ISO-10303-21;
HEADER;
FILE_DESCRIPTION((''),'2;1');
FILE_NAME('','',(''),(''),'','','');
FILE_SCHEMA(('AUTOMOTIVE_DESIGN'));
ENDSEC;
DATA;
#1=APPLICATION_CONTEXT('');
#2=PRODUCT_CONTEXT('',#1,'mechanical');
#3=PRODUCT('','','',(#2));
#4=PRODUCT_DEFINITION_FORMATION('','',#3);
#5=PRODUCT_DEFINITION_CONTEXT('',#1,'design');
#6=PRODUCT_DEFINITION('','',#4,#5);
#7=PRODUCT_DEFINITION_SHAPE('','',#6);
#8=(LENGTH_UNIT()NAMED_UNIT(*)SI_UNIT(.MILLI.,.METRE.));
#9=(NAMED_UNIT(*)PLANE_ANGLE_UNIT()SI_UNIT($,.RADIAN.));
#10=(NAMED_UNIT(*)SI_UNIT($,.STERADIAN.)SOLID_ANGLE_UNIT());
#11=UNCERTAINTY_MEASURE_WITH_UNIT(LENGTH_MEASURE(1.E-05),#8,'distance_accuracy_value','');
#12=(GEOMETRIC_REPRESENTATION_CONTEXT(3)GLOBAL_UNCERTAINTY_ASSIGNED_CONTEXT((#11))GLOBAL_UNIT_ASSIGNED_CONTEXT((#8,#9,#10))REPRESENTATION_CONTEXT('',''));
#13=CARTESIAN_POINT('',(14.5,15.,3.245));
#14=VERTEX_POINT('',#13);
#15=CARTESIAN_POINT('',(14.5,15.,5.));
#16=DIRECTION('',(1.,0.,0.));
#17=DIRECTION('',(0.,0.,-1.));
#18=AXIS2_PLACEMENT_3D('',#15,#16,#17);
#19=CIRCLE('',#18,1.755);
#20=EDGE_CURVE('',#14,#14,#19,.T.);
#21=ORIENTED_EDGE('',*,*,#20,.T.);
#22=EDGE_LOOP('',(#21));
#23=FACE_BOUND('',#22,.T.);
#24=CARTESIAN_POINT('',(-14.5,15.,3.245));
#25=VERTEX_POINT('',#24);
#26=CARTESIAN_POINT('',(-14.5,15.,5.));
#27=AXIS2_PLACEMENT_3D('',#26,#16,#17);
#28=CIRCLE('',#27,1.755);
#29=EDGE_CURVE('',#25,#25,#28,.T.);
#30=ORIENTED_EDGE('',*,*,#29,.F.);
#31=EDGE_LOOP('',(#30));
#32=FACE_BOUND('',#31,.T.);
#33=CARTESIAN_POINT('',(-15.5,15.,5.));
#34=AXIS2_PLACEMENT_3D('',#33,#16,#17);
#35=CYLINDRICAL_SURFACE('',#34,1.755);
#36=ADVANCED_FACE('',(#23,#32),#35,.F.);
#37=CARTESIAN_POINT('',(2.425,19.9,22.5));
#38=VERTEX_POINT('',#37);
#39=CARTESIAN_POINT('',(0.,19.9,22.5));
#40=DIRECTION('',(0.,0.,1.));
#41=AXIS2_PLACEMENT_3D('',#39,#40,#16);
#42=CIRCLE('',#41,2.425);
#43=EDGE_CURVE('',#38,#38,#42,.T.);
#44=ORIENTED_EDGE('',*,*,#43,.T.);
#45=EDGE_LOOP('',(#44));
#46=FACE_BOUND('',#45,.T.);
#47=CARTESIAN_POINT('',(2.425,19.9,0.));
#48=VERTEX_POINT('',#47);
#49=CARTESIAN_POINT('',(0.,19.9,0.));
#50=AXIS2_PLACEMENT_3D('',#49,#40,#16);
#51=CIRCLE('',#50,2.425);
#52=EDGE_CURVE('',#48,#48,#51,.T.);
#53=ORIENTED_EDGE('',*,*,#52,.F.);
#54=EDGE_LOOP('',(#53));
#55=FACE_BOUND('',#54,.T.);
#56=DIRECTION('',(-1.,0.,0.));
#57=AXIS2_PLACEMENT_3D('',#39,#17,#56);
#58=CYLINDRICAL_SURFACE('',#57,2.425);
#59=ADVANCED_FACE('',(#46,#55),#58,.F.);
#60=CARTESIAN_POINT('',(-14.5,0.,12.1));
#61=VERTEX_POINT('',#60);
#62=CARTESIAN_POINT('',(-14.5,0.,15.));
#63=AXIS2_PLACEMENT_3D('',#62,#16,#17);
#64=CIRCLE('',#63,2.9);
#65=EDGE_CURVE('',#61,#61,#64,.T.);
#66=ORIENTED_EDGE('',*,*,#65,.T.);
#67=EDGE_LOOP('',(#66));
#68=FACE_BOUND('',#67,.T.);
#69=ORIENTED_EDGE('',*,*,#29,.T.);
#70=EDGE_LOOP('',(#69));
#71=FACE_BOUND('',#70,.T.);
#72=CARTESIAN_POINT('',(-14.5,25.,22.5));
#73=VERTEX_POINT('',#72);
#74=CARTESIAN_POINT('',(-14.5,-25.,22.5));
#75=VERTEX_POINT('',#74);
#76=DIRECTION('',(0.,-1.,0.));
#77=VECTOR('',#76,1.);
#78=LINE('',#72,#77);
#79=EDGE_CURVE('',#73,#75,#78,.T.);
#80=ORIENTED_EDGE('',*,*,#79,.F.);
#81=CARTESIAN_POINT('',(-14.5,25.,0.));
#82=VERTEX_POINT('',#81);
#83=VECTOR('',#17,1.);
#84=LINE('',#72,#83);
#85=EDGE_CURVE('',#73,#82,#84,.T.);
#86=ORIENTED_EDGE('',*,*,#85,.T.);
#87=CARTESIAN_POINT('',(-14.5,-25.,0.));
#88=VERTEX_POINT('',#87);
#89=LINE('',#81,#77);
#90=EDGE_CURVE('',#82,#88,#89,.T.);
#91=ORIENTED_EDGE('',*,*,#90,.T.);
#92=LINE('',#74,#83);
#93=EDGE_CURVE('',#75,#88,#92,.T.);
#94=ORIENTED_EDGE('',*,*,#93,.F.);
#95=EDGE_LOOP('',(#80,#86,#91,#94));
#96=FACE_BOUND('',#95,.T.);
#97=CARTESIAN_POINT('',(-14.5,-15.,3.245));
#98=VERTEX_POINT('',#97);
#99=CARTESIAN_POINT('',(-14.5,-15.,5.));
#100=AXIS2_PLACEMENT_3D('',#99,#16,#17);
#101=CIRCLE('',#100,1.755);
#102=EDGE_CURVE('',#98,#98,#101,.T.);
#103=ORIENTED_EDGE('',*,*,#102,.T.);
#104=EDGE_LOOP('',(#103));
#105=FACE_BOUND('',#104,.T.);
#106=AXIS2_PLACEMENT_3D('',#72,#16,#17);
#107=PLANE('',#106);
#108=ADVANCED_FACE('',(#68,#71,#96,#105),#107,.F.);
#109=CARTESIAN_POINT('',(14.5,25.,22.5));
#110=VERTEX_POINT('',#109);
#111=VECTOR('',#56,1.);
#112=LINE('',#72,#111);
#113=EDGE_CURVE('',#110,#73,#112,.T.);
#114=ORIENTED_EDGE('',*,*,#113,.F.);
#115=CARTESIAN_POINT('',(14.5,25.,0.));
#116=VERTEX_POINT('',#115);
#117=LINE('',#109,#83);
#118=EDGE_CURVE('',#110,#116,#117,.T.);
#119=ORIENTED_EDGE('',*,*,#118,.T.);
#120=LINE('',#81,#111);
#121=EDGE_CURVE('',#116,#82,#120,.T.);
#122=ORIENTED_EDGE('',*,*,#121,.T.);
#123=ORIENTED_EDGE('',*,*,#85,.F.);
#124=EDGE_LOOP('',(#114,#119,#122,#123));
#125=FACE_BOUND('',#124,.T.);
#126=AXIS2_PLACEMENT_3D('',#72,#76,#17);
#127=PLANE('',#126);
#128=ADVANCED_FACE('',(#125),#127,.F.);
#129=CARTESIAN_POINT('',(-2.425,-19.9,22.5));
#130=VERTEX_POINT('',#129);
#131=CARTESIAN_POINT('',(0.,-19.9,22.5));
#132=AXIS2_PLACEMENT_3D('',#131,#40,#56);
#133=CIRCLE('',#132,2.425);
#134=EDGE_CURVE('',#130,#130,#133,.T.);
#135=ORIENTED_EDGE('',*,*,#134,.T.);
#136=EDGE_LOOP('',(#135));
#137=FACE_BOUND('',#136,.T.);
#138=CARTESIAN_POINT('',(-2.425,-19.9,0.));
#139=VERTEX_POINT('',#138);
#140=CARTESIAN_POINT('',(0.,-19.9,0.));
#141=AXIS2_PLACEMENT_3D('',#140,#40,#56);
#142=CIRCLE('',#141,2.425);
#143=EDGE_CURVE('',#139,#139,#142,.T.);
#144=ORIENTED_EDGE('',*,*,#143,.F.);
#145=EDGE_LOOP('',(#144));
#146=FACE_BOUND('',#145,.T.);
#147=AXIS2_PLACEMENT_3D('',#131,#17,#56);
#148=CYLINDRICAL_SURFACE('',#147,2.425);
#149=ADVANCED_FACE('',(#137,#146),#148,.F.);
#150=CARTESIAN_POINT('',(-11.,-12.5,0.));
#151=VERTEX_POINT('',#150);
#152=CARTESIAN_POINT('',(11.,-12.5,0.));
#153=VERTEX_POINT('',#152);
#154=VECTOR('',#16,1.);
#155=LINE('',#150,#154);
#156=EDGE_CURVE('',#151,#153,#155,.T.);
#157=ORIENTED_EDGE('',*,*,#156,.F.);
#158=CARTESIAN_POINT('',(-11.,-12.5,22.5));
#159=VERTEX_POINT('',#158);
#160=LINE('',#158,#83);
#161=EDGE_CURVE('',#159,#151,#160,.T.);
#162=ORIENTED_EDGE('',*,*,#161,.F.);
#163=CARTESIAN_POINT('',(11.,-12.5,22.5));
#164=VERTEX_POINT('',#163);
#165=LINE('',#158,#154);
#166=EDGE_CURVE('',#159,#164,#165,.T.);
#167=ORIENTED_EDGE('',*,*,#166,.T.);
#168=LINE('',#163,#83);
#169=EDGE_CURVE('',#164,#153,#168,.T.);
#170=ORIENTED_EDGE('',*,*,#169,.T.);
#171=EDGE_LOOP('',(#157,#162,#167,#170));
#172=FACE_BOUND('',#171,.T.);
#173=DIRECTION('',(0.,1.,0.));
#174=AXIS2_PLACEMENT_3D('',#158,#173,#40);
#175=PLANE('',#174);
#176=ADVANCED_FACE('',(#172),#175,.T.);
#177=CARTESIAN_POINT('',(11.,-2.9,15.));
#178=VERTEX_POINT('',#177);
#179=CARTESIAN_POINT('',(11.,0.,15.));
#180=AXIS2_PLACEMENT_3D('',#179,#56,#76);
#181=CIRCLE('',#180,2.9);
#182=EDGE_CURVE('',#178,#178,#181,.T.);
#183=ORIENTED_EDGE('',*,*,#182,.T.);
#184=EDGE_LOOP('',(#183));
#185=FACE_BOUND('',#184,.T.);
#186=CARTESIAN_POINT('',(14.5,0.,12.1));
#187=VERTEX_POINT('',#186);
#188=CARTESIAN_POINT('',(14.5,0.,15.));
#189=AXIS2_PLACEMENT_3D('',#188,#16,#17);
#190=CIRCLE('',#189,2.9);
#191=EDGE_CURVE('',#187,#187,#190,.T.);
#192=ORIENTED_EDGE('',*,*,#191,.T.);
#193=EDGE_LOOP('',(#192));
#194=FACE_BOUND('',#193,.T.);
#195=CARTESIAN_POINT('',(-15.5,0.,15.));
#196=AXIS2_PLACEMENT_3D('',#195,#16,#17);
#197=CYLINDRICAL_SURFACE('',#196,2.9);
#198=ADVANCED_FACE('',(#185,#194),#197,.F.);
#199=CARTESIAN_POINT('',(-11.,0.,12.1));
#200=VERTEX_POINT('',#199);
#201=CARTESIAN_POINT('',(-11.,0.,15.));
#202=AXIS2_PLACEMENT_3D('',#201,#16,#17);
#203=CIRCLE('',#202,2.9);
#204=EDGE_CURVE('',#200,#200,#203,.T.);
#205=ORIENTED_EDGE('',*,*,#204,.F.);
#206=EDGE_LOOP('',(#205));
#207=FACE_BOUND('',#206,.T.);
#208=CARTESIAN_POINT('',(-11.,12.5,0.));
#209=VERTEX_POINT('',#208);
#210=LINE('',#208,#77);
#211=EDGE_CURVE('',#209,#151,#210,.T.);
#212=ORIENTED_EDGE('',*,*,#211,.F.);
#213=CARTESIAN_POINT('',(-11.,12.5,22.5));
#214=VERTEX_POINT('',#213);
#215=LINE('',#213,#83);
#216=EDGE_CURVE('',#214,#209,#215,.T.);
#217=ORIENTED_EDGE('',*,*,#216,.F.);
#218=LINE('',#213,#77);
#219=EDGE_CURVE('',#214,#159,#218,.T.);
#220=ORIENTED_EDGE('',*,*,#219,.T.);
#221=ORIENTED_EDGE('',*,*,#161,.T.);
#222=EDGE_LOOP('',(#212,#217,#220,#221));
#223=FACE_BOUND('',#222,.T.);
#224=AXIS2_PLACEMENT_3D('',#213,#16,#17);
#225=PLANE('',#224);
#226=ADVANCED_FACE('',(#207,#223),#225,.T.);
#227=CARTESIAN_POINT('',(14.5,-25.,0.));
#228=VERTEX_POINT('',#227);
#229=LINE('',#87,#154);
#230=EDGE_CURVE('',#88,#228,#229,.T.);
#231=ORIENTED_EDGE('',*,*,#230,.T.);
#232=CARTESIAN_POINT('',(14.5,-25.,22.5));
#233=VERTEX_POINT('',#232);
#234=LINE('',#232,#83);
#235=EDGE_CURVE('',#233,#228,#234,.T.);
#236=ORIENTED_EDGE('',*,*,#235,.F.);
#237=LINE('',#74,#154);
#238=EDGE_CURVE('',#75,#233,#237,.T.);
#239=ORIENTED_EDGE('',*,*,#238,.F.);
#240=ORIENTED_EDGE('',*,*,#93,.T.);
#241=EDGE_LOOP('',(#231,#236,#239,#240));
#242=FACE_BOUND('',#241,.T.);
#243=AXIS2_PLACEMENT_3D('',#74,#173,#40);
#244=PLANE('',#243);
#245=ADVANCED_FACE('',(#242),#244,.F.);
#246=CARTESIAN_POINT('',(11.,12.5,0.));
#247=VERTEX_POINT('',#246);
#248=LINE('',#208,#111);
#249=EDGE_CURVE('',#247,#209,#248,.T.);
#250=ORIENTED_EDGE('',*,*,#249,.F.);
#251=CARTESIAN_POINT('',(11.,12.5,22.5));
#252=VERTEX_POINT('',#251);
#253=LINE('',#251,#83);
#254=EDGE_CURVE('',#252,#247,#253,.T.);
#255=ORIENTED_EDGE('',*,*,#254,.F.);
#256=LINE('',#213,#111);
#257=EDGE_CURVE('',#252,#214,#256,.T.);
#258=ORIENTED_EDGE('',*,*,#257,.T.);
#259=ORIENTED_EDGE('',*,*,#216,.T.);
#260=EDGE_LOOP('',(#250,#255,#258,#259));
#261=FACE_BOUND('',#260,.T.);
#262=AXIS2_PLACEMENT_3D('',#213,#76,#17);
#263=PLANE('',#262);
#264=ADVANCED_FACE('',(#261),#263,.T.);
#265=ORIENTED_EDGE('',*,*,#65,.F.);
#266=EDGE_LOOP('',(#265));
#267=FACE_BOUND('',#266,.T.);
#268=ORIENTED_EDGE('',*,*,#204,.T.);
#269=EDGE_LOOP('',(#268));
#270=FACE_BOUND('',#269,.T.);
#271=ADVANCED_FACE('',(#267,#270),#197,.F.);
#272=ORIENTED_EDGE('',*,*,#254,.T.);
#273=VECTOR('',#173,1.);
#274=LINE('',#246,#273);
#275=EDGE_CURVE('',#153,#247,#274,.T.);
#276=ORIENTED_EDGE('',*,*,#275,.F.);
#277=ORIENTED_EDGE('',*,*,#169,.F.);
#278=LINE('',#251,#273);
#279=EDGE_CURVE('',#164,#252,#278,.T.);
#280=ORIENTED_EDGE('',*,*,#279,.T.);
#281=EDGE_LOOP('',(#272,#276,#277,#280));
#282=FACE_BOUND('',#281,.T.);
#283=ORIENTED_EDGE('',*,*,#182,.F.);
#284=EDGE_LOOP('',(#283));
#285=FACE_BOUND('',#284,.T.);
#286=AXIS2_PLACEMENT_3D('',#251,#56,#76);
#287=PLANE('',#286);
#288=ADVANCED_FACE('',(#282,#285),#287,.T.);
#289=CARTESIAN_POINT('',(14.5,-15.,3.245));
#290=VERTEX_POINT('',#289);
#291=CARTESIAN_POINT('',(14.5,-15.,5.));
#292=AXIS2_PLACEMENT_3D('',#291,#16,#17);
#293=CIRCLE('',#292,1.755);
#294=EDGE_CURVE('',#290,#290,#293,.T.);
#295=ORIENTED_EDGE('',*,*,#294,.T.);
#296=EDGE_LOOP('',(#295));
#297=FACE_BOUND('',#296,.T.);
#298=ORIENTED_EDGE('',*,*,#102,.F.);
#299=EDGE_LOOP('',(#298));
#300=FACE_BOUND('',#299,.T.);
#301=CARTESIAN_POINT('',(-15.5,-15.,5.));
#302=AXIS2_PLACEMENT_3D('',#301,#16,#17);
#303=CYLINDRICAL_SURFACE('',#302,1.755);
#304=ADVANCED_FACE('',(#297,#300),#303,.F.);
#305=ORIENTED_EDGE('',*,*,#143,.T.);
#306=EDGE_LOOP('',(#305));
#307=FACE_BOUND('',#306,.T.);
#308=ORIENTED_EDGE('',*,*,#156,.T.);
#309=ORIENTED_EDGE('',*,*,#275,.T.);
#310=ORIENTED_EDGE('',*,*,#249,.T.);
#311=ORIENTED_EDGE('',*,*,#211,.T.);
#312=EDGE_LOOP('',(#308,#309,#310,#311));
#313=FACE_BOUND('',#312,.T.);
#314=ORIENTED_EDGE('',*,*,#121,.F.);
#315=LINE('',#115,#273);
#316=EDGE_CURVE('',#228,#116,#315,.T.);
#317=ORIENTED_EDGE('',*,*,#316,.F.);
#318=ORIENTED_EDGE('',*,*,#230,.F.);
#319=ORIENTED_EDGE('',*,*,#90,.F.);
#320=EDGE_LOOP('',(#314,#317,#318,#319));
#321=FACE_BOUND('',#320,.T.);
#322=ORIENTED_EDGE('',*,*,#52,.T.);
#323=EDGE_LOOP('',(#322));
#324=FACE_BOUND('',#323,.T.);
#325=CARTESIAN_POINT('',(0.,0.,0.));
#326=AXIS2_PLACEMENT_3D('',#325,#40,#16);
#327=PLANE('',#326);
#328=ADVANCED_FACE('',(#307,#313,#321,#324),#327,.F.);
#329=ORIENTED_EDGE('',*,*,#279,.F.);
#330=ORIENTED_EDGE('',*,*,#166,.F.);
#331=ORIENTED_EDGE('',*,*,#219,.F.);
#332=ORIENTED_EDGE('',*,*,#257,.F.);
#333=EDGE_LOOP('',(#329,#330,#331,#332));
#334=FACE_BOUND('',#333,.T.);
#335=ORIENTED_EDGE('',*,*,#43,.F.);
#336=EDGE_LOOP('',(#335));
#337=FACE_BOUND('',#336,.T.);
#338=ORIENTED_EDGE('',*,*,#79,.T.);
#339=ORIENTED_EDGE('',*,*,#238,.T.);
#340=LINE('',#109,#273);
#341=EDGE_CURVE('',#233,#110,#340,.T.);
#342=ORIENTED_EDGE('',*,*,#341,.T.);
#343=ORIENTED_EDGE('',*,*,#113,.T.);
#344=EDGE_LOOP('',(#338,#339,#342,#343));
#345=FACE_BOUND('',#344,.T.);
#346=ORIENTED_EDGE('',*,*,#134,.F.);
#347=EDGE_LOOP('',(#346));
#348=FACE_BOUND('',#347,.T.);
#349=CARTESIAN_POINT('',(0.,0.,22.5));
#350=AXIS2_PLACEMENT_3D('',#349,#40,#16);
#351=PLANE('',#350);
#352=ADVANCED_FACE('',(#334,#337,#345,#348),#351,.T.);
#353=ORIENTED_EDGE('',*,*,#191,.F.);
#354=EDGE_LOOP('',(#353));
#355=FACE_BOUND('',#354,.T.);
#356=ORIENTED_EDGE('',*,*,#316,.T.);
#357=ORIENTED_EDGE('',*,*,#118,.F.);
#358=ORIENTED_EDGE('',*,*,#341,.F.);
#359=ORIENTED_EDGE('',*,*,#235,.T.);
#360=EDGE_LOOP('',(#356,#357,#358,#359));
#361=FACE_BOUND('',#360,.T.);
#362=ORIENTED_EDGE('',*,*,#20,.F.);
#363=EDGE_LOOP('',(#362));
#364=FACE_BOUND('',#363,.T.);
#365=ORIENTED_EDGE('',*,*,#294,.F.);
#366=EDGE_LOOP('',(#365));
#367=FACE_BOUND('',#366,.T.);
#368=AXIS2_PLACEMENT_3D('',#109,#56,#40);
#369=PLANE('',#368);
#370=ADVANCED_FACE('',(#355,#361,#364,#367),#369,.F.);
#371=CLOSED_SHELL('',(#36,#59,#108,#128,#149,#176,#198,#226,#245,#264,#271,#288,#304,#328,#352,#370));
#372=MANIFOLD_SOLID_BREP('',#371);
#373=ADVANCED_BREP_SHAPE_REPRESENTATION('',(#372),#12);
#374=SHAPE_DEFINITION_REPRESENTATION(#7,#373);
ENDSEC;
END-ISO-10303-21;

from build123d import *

# Parameters (mm, degrees)
SKETCH2_W           = 29
SKETCH2_H           = 50
SKETCH2_R           = 2.425
SKETCH2_W_2         = 22
SKETCH2_H_2         = 25
BOSS_EXTRUDE1_DEPTH = 22.5
SKETCH3_R           = 1.755
SKETCH3_R_2         = 2.9
CUT_EXTRUDE1_DEPTH  = 30


with BuildPart() as part:
    # Sketch2 → Boss-Extrude1 (new body)
    with BuildSketch(Plane.XY):
        Rectangle(SKETCH2_W, SKETCH2_H)
        with Locations((0, 19.9)):
            Circle(SKETCH2_R, mode=Mode.SUBTRACT)
        with Locations((0, -19.9)):
            Circle(SKETCH2_R, mode=Mode.SUBTRACT)
        Rectangle(SKETCH2_W_2, SKETCH2_H_2, mode=Mode.SUBTRACT)
    extrude(amount=BOSS_EXTRUDE1_DEPTH)

    # Sketch3 → Cut-Extrude1 (cut)
    with BuildSketch(Plane(origin=(14.5, 0, 0), x_dir=(0, 0, -1), z_dir=(1, 0, 0))):
        with Locations((-5, 15)):
            Circle(SKETCH3_R)
        with Locations((-5, -15)):
            Circle(SKETCH3_R)
        with Locations((-15, 0)):
            Circle(SKETCH3_R_2)
    extrude(amount=-CUT_EXTRUDE1_DEPTH, mode=Mode.SUBTRACT)


solid = part.part
